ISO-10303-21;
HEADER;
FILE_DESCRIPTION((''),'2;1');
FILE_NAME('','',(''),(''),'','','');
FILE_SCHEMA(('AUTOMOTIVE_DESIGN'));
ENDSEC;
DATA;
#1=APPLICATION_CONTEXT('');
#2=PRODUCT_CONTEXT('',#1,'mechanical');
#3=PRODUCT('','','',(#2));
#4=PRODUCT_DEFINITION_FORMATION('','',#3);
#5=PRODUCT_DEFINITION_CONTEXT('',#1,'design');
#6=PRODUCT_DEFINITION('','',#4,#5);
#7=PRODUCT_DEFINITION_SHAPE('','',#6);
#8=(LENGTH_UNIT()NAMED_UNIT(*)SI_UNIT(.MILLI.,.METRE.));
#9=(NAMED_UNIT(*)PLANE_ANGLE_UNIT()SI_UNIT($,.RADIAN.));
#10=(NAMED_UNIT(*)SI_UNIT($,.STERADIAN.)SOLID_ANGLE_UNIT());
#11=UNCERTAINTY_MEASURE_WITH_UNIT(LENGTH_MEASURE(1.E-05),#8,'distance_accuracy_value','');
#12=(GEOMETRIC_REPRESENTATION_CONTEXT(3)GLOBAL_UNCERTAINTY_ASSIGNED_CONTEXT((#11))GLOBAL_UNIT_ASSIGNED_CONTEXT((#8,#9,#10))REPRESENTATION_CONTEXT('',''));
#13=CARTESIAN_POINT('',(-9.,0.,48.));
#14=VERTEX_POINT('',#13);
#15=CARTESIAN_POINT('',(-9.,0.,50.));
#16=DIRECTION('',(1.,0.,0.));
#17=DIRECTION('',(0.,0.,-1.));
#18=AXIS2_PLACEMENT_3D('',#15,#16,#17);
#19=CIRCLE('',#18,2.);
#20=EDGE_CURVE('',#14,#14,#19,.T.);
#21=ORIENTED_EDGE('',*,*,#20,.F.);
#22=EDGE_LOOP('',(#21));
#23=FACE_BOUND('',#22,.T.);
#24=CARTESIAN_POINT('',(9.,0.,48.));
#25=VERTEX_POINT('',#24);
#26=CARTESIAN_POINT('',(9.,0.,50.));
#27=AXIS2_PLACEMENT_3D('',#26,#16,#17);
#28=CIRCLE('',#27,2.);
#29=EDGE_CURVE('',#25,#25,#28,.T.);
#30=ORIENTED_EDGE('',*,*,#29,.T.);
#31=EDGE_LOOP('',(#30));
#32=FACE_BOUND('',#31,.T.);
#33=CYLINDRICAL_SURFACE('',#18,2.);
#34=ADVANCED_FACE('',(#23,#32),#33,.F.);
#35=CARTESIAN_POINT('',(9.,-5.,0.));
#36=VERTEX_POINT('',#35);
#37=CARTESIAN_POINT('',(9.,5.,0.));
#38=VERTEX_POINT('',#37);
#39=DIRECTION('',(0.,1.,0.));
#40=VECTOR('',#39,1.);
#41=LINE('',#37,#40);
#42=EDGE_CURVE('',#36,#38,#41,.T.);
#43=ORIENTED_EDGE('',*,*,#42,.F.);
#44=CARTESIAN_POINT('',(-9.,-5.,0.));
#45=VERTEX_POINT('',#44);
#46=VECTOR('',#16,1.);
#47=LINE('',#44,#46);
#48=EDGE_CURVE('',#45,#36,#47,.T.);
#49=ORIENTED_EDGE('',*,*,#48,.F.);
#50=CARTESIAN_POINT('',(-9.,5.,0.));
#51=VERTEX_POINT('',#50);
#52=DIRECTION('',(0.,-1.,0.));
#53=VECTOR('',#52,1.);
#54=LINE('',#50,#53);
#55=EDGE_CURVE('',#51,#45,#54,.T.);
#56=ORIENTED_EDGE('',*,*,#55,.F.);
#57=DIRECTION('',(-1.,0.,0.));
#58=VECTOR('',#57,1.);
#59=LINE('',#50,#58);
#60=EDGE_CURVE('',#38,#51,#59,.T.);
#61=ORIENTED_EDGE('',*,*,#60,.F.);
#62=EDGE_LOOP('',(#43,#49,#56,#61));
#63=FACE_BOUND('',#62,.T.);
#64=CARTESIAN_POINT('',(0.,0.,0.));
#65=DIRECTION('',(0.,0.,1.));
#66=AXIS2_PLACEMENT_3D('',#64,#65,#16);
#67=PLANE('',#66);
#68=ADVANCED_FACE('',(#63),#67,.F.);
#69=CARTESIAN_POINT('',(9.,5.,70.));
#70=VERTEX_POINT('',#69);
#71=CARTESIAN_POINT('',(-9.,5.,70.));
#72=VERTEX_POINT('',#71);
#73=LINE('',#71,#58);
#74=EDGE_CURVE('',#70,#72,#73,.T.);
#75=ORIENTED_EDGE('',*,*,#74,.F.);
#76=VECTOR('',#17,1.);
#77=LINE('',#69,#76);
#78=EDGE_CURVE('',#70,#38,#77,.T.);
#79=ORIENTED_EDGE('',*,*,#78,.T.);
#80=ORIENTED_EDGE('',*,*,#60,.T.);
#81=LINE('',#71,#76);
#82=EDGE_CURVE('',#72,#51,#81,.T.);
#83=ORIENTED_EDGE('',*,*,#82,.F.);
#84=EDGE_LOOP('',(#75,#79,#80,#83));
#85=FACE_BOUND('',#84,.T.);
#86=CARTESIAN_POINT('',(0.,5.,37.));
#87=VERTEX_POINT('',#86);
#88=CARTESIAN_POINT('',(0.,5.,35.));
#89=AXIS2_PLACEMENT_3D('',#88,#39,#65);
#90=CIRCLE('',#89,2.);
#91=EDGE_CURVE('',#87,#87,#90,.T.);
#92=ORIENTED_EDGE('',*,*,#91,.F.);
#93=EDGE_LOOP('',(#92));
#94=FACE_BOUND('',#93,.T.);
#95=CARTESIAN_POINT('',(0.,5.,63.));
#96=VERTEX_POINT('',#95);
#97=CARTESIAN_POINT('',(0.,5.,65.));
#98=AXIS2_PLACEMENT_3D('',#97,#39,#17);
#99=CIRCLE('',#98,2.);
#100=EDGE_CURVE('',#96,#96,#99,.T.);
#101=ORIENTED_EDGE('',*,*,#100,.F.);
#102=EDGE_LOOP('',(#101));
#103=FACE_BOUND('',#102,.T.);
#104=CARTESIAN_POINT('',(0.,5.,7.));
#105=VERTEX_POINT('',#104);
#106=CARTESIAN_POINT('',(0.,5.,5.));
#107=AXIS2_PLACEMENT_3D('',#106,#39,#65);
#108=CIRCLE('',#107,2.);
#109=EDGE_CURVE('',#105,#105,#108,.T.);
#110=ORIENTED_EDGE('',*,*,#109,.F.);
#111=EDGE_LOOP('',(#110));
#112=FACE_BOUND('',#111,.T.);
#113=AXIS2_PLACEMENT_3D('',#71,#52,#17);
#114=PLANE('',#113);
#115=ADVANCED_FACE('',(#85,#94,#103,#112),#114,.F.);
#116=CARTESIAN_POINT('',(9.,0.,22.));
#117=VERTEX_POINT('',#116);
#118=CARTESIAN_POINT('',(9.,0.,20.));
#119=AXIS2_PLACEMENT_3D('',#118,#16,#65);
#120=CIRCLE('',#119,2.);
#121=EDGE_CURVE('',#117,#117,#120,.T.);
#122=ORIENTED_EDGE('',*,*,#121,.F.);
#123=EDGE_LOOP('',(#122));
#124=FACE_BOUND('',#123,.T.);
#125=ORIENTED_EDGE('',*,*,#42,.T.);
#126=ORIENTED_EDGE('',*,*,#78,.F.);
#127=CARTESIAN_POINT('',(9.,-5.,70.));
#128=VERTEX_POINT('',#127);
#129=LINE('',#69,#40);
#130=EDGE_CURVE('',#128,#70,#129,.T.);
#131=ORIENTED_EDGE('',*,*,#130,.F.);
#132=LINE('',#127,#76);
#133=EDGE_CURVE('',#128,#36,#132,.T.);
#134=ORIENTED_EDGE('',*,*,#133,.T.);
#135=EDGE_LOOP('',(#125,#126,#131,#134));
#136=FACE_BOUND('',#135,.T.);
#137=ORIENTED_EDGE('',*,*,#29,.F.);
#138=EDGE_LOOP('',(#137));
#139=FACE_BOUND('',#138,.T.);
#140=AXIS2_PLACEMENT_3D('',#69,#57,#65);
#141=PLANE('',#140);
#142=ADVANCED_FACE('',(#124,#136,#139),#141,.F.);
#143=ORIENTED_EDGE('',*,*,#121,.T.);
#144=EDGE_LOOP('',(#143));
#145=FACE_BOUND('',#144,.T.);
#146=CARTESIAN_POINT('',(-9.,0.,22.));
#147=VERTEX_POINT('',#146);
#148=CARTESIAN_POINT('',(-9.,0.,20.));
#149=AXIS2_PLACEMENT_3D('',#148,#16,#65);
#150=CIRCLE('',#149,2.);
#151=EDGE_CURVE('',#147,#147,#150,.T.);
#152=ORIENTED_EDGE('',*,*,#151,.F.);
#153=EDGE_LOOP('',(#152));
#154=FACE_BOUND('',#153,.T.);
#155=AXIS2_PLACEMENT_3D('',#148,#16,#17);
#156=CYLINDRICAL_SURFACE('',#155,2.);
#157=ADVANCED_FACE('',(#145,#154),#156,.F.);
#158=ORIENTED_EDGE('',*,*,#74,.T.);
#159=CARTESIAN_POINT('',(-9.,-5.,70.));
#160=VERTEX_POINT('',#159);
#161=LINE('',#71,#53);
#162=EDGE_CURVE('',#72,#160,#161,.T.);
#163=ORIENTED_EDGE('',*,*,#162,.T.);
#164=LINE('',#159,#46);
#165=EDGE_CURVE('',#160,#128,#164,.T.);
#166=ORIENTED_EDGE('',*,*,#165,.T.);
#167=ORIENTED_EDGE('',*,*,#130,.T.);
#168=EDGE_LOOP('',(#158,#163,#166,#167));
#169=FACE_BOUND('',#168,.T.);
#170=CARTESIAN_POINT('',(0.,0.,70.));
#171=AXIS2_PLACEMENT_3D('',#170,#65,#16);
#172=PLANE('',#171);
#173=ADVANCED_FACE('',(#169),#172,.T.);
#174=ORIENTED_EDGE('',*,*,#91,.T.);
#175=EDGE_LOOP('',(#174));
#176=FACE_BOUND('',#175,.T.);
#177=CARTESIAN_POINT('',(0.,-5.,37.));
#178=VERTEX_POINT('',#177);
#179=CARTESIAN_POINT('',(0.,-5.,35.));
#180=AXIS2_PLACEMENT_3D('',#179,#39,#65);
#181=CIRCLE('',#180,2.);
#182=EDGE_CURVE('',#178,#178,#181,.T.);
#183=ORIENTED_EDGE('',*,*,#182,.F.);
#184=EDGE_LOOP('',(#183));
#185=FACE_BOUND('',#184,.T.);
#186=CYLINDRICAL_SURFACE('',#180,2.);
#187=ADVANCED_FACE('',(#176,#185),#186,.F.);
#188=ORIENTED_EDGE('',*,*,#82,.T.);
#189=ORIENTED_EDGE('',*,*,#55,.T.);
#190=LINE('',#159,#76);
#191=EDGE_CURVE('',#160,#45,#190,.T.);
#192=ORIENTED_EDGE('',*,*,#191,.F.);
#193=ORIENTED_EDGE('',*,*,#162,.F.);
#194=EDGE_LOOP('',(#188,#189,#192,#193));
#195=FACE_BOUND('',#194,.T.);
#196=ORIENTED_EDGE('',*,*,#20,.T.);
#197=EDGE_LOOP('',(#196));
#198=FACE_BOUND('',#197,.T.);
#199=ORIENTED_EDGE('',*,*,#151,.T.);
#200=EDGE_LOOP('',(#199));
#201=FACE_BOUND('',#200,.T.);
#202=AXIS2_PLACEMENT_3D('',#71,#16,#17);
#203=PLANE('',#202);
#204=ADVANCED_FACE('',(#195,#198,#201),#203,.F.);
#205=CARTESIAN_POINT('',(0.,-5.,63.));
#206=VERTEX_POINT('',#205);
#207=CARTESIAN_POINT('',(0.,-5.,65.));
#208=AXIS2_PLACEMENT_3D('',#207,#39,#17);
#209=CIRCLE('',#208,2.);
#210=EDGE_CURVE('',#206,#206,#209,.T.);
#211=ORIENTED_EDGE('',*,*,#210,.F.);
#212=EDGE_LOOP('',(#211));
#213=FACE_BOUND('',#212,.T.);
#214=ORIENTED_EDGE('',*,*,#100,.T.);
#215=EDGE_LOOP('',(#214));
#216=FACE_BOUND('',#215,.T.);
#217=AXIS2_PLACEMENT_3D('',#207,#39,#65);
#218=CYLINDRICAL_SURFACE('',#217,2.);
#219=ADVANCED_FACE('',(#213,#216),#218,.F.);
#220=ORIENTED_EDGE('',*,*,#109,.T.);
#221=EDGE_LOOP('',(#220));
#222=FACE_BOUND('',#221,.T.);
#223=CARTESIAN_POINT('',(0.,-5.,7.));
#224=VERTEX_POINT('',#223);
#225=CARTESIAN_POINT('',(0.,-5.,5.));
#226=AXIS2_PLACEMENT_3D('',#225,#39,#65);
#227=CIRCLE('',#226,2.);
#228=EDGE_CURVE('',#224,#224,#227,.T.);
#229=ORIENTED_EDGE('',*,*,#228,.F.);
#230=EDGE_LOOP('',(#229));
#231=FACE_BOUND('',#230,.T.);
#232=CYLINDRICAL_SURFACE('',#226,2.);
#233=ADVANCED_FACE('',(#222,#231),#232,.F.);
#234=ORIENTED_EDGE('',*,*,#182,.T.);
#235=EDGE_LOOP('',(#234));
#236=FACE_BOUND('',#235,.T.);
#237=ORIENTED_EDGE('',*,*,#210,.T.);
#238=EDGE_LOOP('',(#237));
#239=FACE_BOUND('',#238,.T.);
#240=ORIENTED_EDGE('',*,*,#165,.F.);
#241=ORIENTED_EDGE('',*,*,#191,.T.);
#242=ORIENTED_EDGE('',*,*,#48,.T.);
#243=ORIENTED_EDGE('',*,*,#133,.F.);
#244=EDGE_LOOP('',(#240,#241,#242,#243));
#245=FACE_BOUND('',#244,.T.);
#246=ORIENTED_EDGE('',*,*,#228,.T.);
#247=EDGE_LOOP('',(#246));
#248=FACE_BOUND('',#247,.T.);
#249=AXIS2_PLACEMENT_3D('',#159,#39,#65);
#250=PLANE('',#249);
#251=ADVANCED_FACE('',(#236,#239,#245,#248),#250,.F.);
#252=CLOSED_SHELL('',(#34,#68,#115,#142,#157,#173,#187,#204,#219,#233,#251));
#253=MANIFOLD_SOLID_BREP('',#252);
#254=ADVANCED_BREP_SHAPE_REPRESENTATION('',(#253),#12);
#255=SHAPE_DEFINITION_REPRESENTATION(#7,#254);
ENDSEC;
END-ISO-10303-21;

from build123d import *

# Parameters (mm, degrees)
SKETCH_1_W          = 18
SKETCH_1_H          = 10
EXTRUDE_1_DEPTH     = 70
SKETCH_2_R          = 2
CUT_EXTRUDE_1_DEPTH = 11
SKETCH_3_R          = 2
CUT_EXTRUDE_2_DEPTH = 19


with BuildPart() as part:
    # 草图1 → 凸台-拉伸1 (new body)
    with BuildSketch(Plane.XY):
        Rectangle(SKETCH_1_W, SKETCH_1_H)
    extrude(amount=EXTRUDE_1_DEPTH)

    # 草图2 → 切除-拉伸1 (cut, through all)
    with BuildSketch(Plane(origin=(0, 5, 0), x_dir=(1, 0, 0), z_dir=(0, 1, 0))):
        with Locations((0, -5)):
            Circle(SKETCH_2_R)
        with Locations((0, -35)):
            Circle(SKETCH_2_R)
        with Locations((0, -65)):
            Circle(SKETCH_2_R)
    extrude(amount=-CUT_EXTRUDE_1_DEPTH, mode=Mode.SUBTRACT)

    # 草图3 → 切除-拉伸2 (cut, through all)
    with BuildSketch(Plane(origin=(9, 0, 0), x_dir=(0, 0, -1), z_dir=(1, 0, 0))):
        with Locations((-50, 0)):
            Circle(SKETCH_3_R)
        with Locations((-20, 0)):
            Circle(SKETCH_3_R)
    extrude(amount=-CUT_EXTRUDE_2_DEPTH, mode=Mode.SUBTRACT)


solid = part.part
